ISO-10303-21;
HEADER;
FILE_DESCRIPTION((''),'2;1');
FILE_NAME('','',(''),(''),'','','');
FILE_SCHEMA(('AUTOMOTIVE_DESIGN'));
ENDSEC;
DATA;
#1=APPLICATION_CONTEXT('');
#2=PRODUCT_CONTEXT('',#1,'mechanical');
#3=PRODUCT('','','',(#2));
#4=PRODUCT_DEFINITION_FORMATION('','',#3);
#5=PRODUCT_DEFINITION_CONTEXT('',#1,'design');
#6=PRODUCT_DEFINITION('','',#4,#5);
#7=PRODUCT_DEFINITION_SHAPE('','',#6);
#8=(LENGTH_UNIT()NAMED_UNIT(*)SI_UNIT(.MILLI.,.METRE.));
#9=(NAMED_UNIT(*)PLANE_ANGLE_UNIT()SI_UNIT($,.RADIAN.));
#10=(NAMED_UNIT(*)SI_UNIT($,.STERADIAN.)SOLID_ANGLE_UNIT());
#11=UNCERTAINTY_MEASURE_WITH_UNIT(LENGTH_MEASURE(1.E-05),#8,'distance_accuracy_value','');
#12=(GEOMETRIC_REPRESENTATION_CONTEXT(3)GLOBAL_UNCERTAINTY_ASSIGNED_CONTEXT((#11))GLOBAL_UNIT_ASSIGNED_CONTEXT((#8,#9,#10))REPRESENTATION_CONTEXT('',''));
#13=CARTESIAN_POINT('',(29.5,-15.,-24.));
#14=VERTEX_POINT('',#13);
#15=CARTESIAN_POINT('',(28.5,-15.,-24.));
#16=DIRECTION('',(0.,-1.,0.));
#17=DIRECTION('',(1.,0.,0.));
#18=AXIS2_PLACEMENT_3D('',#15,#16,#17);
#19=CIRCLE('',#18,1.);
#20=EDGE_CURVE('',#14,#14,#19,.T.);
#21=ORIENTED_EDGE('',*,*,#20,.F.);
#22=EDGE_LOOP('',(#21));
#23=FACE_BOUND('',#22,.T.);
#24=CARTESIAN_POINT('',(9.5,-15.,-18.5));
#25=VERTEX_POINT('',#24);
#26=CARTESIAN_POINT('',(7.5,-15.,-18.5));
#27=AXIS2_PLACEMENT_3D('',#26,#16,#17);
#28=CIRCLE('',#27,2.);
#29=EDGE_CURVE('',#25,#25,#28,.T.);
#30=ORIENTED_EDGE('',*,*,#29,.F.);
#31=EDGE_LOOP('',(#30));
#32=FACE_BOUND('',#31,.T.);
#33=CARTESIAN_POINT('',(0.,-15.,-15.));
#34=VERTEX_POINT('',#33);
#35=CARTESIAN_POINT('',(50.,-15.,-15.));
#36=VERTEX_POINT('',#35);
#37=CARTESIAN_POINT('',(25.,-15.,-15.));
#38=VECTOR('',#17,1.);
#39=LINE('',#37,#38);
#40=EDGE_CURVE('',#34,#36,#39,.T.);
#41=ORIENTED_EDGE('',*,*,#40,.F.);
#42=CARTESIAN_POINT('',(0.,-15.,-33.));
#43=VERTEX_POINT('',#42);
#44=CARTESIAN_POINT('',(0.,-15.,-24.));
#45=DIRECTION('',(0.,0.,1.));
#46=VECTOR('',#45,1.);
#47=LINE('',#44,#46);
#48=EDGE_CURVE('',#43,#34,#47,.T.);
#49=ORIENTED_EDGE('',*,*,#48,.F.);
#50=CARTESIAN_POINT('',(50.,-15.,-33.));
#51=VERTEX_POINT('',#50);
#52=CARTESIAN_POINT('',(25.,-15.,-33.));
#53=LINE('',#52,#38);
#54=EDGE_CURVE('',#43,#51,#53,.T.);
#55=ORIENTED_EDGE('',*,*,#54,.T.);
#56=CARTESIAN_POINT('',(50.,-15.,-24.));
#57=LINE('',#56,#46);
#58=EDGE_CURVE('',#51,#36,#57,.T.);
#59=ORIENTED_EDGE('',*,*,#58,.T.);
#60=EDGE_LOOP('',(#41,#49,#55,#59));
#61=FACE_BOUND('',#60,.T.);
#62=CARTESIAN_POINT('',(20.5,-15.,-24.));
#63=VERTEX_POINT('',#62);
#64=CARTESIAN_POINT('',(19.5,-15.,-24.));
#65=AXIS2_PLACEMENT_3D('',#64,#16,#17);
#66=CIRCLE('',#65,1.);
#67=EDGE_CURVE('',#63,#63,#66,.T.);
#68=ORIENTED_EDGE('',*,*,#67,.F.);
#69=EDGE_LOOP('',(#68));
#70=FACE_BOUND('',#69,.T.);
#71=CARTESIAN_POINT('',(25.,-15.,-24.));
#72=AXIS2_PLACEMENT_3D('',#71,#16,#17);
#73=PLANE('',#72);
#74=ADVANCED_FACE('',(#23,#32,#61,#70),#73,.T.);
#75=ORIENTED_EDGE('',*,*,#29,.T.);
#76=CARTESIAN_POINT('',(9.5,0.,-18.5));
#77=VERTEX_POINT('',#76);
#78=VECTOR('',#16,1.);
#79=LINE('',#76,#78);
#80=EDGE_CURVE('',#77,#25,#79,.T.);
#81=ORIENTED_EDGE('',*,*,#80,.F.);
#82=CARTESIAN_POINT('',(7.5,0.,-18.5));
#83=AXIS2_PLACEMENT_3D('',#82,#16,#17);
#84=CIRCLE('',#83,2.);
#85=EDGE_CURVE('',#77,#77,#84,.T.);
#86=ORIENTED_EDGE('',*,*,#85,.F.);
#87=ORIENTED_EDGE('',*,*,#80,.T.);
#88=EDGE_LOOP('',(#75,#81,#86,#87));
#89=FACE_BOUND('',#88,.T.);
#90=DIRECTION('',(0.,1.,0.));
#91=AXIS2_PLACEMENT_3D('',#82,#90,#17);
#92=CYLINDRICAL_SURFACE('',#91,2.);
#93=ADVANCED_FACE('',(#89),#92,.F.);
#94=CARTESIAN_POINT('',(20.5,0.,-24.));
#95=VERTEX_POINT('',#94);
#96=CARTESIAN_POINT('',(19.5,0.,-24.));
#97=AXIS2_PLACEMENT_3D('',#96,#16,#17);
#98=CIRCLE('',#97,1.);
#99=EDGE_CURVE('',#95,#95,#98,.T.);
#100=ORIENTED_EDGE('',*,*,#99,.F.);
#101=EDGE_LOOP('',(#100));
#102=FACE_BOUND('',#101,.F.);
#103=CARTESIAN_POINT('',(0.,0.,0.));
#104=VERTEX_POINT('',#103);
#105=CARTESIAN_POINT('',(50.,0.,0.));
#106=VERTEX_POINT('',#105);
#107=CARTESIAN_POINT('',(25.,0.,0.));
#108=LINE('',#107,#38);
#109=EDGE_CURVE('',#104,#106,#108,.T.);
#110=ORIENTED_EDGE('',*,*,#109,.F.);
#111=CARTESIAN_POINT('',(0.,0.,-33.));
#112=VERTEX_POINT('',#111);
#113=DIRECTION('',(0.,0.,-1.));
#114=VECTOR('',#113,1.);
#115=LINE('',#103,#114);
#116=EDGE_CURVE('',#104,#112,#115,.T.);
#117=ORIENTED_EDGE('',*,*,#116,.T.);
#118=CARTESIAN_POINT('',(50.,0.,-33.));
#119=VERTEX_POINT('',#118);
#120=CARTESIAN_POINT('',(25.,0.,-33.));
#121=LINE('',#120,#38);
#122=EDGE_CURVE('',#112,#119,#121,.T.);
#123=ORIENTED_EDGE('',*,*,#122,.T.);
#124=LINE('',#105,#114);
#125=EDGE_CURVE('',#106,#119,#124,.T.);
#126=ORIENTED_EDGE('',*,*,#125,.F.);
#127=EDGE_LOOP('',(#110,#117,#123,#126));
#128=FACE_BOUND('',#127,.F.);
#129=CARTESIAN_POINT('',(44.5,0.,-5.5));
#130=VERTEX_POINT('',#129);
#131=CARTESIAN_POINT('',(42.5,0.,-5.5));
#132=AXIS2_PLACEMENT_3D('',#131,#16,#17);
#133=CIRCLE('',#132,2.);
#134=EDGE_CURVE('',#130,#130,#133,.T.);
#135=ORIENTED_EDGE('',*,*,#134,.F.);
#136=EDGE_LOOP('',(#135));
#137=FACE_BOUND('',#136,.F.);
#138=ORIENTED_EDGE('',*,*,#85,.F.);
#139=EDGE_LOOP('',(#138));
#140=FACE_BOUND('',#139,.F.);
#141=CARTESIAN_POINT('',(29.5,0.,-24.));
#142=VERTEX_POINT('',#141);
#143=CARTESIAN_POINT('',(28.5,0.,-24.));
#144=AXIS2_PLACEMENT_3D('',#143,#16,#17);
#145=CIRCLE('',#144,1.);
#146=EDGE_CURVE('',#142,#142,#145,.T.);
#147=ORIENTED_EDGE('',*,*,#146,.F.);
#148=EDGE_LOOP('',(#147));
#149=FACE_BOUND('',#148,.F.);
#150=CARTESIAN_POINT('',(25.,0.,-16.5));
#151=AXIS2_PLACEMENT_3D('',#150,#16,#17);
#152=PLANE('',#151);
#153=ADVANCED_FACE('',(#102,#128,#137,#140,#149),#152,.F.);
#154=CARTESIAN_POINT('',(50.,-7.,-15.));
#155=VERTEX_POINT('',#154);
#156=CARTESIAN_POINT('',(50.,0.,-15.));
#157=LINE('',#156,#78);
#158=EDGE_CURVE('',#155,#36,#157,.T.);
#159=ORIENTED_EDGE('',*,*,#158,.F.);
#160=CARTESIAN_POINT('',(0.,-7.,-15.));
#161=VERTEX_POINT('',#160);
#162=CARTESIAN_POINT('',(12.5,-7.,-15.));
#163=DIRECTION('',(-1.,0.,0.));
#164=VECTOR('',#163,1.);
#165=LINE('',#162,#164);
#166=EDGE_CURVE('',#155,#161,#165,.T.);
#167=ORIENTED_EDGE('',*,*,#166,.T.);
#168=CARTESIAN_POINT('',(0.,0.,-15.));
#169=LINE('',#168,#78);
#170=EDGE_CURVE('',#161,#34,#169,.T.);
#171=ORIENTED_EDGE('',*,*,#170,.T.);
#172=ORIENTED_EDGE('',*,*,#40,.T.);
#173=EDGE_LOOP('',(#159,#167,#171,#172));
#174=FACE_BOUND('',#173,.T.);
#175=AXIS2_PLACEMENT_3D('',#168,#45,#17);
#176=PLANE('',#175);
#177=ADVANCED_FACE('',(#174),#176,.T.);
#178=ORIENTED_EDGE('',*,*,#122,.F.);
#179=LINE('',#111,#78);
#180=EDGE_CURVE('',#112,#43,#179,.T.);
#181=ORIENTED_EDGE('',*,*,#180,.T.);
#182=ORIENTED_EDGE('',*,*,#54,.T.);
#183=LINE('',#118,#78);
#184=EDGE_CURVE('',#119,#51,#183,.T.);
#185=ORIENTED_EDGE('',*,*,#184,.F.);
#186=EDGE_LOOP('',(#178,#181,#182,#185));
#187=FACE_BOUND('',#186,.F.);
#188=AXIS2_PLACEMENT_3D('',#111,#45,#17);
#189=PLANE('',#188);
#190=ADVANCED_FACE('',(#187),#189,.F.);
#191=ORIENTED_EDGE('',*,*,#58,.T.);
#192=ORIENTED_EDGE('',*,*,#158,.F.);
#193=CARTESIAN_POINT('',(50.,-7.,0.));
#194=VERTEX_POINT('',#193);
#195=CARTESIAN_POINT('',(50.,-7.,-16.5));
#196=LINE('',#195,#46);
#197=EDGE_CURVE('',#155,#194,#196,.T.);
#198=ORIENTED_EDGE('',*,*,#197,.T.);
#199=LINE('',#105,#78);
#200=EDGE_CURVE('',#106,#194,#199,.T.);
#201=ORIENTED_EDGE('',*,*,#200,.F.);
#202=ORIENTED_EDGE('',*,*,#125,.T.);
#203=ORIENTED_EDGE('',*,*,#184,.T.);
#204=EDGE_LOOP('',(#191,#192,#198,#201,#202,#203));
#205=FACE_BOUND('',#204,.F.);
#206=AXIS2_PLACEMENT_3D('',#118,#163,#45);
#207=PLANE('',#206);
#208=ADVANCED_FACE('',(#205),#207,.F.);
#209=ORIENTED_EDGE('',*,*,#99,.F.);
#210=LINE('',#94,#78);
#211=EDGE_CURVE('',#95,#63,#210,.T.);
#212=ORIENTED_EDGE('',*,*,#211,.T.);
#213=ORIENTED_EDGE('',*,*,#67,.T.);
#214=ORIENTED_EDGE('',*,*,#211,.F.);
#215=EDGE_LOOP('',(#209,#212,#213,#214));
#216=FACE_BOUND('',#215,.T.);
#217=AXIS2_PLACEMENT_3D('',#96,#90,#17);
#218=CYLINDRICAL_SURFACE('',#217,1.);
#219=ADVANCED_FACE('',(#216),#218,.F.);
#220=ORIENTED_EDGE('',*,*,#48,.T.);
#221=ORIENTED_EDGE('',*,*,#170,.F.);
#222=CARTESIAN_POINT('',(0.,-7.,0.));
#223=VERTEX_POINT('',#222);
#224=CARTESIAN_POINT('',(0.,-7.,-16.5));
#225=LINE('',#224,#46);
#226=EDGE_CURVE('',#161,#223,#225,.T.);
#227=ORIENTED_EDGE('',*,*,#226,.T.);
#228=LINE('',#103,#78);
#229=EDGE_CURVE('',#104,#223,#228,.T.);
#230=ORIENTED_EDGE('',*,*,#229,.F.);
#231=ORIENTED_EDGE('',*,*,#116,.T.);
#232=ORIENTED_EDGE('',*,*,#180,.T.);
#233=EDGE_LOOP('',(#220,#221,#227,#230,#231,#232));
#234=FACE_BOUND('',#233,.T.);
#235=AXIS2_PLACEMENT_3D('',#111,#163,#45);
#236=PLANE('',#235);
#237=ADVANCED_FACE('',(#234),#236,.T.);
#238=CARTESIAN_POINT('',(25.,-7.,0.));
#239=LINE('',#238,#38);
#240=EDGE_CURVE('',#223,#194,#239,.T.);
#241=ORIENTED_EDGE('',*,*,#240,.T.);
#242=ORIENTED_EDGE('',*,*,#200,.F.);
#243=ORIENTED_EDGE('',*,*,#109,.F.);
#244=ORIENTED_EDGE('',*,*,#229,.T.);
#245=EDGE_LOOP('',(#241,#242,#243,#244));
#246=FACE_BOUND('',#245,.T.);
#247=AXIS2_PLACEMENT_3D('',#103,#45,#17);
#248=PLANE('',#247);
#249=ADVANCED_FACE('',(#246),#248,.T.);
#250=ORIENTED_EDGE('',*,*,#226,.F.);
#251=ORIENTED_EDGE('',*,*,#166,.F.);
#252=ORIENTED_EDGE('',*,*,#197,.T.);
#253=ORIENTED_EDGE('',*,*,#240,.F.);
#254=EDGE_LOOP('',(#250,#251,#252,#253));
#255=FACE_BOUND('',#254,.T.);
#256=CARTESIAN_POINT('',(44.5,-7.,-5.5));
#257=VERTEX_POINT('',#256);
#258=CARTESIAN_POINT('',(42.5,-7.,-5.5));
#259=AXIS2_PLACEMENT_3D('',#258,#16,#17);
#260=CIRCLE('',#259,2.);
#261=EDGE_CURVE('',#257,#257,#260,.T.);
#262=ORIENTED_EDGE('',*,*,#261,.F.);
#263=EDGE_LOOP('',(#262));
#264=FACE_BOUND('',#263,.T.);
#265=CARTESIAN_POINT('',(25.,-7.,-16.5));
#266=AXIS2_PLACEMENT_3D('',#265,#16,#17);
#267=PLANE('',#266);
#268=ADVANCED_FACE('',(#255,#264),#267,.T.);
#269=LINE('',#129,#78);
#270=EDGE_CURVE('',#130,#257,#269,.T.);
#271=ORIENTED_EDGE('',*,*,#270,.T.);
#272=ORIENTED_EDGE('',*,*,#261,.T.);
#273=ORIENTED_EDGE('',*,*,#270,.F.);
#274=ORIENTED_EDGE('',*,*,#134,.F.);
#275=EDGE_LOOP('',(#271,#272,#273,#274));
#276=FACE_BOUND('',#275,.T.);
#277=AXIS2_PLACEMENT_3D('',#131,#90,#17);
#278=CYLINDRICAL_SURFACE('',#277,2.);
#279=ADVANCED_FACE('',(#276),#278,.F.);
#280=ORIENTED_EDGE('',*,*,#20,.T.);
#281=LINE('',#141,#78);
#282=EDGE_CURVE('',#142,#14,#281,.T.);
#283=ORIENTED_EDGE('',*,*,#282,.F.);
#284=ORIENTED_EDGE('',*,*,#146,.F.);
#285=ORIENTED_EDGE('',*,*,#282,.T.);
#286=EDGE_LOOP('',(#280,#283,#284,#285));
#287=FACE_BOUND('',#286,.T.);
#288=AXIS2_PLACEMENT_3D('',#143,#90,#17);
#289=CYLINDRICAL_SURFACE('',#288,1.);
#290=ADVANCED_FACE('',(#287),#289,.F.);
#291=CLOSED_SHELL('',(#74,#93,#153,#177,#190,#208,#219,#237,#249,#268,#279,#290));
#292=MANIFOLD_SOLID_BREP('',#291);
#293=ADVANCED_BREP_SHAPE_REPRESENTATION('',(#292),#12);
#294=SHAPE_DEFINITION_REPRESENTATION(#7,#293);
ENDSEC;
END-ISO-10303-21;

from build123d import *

# Parameters (mm, degrees)
F0_W     = 50
F0_H     = 33
F0_R     = 2
F0_R_2   = 1
F1_DEPTH = 7
F2_W     = 50
F2_H     = 18
F2_R     = 1
F2_R_2   = 2
F3_DEPTH = 15


with BuildPart() as f1:
    # F0 (on Front) → F1 (new body)
    with BuildSketch(Plane.XZ):
        with Locations((25, -16.5)):
            Rectangle(F0_W, F0_H)
        with Locations((7.5, -18.5)):
            Circle(F0_R, mode=Mode.SUBTRACT)
        with Locations((19.5, -24)):
            Circle(F0_R_2, mode=Mode.SUBTRACT)
        with Locations((28.5, -24)):
            Circle(F0_R_2, mode=Mode.SUBTRACT)
        with Locations((42.5, -5.5)):
            Circle(F0_R, mode=Mode.SUBTRACT)
    extrude(amount=F1_DEPTH)

    # F2 (on Front) → F3 (join)
    with BuildSketch(Plane.XZ):
        with Locations((25, -24)):
            Rectangle(F2_W, F2_H)
        with Locations((19.5, -24)):
            Circle(F2_R, mode=Mode.SUBTRACT)
        with Locations((7.5, -18.5)):
            Circle(F2_R_2, mode=Mode.SUBTRACT)
        with Locations((28.5, -24)):
            Circle(F2_R, mode=Mode.SUBTRACT)
    extrude(amount=F3_DEPTH)


solid = f1.part
